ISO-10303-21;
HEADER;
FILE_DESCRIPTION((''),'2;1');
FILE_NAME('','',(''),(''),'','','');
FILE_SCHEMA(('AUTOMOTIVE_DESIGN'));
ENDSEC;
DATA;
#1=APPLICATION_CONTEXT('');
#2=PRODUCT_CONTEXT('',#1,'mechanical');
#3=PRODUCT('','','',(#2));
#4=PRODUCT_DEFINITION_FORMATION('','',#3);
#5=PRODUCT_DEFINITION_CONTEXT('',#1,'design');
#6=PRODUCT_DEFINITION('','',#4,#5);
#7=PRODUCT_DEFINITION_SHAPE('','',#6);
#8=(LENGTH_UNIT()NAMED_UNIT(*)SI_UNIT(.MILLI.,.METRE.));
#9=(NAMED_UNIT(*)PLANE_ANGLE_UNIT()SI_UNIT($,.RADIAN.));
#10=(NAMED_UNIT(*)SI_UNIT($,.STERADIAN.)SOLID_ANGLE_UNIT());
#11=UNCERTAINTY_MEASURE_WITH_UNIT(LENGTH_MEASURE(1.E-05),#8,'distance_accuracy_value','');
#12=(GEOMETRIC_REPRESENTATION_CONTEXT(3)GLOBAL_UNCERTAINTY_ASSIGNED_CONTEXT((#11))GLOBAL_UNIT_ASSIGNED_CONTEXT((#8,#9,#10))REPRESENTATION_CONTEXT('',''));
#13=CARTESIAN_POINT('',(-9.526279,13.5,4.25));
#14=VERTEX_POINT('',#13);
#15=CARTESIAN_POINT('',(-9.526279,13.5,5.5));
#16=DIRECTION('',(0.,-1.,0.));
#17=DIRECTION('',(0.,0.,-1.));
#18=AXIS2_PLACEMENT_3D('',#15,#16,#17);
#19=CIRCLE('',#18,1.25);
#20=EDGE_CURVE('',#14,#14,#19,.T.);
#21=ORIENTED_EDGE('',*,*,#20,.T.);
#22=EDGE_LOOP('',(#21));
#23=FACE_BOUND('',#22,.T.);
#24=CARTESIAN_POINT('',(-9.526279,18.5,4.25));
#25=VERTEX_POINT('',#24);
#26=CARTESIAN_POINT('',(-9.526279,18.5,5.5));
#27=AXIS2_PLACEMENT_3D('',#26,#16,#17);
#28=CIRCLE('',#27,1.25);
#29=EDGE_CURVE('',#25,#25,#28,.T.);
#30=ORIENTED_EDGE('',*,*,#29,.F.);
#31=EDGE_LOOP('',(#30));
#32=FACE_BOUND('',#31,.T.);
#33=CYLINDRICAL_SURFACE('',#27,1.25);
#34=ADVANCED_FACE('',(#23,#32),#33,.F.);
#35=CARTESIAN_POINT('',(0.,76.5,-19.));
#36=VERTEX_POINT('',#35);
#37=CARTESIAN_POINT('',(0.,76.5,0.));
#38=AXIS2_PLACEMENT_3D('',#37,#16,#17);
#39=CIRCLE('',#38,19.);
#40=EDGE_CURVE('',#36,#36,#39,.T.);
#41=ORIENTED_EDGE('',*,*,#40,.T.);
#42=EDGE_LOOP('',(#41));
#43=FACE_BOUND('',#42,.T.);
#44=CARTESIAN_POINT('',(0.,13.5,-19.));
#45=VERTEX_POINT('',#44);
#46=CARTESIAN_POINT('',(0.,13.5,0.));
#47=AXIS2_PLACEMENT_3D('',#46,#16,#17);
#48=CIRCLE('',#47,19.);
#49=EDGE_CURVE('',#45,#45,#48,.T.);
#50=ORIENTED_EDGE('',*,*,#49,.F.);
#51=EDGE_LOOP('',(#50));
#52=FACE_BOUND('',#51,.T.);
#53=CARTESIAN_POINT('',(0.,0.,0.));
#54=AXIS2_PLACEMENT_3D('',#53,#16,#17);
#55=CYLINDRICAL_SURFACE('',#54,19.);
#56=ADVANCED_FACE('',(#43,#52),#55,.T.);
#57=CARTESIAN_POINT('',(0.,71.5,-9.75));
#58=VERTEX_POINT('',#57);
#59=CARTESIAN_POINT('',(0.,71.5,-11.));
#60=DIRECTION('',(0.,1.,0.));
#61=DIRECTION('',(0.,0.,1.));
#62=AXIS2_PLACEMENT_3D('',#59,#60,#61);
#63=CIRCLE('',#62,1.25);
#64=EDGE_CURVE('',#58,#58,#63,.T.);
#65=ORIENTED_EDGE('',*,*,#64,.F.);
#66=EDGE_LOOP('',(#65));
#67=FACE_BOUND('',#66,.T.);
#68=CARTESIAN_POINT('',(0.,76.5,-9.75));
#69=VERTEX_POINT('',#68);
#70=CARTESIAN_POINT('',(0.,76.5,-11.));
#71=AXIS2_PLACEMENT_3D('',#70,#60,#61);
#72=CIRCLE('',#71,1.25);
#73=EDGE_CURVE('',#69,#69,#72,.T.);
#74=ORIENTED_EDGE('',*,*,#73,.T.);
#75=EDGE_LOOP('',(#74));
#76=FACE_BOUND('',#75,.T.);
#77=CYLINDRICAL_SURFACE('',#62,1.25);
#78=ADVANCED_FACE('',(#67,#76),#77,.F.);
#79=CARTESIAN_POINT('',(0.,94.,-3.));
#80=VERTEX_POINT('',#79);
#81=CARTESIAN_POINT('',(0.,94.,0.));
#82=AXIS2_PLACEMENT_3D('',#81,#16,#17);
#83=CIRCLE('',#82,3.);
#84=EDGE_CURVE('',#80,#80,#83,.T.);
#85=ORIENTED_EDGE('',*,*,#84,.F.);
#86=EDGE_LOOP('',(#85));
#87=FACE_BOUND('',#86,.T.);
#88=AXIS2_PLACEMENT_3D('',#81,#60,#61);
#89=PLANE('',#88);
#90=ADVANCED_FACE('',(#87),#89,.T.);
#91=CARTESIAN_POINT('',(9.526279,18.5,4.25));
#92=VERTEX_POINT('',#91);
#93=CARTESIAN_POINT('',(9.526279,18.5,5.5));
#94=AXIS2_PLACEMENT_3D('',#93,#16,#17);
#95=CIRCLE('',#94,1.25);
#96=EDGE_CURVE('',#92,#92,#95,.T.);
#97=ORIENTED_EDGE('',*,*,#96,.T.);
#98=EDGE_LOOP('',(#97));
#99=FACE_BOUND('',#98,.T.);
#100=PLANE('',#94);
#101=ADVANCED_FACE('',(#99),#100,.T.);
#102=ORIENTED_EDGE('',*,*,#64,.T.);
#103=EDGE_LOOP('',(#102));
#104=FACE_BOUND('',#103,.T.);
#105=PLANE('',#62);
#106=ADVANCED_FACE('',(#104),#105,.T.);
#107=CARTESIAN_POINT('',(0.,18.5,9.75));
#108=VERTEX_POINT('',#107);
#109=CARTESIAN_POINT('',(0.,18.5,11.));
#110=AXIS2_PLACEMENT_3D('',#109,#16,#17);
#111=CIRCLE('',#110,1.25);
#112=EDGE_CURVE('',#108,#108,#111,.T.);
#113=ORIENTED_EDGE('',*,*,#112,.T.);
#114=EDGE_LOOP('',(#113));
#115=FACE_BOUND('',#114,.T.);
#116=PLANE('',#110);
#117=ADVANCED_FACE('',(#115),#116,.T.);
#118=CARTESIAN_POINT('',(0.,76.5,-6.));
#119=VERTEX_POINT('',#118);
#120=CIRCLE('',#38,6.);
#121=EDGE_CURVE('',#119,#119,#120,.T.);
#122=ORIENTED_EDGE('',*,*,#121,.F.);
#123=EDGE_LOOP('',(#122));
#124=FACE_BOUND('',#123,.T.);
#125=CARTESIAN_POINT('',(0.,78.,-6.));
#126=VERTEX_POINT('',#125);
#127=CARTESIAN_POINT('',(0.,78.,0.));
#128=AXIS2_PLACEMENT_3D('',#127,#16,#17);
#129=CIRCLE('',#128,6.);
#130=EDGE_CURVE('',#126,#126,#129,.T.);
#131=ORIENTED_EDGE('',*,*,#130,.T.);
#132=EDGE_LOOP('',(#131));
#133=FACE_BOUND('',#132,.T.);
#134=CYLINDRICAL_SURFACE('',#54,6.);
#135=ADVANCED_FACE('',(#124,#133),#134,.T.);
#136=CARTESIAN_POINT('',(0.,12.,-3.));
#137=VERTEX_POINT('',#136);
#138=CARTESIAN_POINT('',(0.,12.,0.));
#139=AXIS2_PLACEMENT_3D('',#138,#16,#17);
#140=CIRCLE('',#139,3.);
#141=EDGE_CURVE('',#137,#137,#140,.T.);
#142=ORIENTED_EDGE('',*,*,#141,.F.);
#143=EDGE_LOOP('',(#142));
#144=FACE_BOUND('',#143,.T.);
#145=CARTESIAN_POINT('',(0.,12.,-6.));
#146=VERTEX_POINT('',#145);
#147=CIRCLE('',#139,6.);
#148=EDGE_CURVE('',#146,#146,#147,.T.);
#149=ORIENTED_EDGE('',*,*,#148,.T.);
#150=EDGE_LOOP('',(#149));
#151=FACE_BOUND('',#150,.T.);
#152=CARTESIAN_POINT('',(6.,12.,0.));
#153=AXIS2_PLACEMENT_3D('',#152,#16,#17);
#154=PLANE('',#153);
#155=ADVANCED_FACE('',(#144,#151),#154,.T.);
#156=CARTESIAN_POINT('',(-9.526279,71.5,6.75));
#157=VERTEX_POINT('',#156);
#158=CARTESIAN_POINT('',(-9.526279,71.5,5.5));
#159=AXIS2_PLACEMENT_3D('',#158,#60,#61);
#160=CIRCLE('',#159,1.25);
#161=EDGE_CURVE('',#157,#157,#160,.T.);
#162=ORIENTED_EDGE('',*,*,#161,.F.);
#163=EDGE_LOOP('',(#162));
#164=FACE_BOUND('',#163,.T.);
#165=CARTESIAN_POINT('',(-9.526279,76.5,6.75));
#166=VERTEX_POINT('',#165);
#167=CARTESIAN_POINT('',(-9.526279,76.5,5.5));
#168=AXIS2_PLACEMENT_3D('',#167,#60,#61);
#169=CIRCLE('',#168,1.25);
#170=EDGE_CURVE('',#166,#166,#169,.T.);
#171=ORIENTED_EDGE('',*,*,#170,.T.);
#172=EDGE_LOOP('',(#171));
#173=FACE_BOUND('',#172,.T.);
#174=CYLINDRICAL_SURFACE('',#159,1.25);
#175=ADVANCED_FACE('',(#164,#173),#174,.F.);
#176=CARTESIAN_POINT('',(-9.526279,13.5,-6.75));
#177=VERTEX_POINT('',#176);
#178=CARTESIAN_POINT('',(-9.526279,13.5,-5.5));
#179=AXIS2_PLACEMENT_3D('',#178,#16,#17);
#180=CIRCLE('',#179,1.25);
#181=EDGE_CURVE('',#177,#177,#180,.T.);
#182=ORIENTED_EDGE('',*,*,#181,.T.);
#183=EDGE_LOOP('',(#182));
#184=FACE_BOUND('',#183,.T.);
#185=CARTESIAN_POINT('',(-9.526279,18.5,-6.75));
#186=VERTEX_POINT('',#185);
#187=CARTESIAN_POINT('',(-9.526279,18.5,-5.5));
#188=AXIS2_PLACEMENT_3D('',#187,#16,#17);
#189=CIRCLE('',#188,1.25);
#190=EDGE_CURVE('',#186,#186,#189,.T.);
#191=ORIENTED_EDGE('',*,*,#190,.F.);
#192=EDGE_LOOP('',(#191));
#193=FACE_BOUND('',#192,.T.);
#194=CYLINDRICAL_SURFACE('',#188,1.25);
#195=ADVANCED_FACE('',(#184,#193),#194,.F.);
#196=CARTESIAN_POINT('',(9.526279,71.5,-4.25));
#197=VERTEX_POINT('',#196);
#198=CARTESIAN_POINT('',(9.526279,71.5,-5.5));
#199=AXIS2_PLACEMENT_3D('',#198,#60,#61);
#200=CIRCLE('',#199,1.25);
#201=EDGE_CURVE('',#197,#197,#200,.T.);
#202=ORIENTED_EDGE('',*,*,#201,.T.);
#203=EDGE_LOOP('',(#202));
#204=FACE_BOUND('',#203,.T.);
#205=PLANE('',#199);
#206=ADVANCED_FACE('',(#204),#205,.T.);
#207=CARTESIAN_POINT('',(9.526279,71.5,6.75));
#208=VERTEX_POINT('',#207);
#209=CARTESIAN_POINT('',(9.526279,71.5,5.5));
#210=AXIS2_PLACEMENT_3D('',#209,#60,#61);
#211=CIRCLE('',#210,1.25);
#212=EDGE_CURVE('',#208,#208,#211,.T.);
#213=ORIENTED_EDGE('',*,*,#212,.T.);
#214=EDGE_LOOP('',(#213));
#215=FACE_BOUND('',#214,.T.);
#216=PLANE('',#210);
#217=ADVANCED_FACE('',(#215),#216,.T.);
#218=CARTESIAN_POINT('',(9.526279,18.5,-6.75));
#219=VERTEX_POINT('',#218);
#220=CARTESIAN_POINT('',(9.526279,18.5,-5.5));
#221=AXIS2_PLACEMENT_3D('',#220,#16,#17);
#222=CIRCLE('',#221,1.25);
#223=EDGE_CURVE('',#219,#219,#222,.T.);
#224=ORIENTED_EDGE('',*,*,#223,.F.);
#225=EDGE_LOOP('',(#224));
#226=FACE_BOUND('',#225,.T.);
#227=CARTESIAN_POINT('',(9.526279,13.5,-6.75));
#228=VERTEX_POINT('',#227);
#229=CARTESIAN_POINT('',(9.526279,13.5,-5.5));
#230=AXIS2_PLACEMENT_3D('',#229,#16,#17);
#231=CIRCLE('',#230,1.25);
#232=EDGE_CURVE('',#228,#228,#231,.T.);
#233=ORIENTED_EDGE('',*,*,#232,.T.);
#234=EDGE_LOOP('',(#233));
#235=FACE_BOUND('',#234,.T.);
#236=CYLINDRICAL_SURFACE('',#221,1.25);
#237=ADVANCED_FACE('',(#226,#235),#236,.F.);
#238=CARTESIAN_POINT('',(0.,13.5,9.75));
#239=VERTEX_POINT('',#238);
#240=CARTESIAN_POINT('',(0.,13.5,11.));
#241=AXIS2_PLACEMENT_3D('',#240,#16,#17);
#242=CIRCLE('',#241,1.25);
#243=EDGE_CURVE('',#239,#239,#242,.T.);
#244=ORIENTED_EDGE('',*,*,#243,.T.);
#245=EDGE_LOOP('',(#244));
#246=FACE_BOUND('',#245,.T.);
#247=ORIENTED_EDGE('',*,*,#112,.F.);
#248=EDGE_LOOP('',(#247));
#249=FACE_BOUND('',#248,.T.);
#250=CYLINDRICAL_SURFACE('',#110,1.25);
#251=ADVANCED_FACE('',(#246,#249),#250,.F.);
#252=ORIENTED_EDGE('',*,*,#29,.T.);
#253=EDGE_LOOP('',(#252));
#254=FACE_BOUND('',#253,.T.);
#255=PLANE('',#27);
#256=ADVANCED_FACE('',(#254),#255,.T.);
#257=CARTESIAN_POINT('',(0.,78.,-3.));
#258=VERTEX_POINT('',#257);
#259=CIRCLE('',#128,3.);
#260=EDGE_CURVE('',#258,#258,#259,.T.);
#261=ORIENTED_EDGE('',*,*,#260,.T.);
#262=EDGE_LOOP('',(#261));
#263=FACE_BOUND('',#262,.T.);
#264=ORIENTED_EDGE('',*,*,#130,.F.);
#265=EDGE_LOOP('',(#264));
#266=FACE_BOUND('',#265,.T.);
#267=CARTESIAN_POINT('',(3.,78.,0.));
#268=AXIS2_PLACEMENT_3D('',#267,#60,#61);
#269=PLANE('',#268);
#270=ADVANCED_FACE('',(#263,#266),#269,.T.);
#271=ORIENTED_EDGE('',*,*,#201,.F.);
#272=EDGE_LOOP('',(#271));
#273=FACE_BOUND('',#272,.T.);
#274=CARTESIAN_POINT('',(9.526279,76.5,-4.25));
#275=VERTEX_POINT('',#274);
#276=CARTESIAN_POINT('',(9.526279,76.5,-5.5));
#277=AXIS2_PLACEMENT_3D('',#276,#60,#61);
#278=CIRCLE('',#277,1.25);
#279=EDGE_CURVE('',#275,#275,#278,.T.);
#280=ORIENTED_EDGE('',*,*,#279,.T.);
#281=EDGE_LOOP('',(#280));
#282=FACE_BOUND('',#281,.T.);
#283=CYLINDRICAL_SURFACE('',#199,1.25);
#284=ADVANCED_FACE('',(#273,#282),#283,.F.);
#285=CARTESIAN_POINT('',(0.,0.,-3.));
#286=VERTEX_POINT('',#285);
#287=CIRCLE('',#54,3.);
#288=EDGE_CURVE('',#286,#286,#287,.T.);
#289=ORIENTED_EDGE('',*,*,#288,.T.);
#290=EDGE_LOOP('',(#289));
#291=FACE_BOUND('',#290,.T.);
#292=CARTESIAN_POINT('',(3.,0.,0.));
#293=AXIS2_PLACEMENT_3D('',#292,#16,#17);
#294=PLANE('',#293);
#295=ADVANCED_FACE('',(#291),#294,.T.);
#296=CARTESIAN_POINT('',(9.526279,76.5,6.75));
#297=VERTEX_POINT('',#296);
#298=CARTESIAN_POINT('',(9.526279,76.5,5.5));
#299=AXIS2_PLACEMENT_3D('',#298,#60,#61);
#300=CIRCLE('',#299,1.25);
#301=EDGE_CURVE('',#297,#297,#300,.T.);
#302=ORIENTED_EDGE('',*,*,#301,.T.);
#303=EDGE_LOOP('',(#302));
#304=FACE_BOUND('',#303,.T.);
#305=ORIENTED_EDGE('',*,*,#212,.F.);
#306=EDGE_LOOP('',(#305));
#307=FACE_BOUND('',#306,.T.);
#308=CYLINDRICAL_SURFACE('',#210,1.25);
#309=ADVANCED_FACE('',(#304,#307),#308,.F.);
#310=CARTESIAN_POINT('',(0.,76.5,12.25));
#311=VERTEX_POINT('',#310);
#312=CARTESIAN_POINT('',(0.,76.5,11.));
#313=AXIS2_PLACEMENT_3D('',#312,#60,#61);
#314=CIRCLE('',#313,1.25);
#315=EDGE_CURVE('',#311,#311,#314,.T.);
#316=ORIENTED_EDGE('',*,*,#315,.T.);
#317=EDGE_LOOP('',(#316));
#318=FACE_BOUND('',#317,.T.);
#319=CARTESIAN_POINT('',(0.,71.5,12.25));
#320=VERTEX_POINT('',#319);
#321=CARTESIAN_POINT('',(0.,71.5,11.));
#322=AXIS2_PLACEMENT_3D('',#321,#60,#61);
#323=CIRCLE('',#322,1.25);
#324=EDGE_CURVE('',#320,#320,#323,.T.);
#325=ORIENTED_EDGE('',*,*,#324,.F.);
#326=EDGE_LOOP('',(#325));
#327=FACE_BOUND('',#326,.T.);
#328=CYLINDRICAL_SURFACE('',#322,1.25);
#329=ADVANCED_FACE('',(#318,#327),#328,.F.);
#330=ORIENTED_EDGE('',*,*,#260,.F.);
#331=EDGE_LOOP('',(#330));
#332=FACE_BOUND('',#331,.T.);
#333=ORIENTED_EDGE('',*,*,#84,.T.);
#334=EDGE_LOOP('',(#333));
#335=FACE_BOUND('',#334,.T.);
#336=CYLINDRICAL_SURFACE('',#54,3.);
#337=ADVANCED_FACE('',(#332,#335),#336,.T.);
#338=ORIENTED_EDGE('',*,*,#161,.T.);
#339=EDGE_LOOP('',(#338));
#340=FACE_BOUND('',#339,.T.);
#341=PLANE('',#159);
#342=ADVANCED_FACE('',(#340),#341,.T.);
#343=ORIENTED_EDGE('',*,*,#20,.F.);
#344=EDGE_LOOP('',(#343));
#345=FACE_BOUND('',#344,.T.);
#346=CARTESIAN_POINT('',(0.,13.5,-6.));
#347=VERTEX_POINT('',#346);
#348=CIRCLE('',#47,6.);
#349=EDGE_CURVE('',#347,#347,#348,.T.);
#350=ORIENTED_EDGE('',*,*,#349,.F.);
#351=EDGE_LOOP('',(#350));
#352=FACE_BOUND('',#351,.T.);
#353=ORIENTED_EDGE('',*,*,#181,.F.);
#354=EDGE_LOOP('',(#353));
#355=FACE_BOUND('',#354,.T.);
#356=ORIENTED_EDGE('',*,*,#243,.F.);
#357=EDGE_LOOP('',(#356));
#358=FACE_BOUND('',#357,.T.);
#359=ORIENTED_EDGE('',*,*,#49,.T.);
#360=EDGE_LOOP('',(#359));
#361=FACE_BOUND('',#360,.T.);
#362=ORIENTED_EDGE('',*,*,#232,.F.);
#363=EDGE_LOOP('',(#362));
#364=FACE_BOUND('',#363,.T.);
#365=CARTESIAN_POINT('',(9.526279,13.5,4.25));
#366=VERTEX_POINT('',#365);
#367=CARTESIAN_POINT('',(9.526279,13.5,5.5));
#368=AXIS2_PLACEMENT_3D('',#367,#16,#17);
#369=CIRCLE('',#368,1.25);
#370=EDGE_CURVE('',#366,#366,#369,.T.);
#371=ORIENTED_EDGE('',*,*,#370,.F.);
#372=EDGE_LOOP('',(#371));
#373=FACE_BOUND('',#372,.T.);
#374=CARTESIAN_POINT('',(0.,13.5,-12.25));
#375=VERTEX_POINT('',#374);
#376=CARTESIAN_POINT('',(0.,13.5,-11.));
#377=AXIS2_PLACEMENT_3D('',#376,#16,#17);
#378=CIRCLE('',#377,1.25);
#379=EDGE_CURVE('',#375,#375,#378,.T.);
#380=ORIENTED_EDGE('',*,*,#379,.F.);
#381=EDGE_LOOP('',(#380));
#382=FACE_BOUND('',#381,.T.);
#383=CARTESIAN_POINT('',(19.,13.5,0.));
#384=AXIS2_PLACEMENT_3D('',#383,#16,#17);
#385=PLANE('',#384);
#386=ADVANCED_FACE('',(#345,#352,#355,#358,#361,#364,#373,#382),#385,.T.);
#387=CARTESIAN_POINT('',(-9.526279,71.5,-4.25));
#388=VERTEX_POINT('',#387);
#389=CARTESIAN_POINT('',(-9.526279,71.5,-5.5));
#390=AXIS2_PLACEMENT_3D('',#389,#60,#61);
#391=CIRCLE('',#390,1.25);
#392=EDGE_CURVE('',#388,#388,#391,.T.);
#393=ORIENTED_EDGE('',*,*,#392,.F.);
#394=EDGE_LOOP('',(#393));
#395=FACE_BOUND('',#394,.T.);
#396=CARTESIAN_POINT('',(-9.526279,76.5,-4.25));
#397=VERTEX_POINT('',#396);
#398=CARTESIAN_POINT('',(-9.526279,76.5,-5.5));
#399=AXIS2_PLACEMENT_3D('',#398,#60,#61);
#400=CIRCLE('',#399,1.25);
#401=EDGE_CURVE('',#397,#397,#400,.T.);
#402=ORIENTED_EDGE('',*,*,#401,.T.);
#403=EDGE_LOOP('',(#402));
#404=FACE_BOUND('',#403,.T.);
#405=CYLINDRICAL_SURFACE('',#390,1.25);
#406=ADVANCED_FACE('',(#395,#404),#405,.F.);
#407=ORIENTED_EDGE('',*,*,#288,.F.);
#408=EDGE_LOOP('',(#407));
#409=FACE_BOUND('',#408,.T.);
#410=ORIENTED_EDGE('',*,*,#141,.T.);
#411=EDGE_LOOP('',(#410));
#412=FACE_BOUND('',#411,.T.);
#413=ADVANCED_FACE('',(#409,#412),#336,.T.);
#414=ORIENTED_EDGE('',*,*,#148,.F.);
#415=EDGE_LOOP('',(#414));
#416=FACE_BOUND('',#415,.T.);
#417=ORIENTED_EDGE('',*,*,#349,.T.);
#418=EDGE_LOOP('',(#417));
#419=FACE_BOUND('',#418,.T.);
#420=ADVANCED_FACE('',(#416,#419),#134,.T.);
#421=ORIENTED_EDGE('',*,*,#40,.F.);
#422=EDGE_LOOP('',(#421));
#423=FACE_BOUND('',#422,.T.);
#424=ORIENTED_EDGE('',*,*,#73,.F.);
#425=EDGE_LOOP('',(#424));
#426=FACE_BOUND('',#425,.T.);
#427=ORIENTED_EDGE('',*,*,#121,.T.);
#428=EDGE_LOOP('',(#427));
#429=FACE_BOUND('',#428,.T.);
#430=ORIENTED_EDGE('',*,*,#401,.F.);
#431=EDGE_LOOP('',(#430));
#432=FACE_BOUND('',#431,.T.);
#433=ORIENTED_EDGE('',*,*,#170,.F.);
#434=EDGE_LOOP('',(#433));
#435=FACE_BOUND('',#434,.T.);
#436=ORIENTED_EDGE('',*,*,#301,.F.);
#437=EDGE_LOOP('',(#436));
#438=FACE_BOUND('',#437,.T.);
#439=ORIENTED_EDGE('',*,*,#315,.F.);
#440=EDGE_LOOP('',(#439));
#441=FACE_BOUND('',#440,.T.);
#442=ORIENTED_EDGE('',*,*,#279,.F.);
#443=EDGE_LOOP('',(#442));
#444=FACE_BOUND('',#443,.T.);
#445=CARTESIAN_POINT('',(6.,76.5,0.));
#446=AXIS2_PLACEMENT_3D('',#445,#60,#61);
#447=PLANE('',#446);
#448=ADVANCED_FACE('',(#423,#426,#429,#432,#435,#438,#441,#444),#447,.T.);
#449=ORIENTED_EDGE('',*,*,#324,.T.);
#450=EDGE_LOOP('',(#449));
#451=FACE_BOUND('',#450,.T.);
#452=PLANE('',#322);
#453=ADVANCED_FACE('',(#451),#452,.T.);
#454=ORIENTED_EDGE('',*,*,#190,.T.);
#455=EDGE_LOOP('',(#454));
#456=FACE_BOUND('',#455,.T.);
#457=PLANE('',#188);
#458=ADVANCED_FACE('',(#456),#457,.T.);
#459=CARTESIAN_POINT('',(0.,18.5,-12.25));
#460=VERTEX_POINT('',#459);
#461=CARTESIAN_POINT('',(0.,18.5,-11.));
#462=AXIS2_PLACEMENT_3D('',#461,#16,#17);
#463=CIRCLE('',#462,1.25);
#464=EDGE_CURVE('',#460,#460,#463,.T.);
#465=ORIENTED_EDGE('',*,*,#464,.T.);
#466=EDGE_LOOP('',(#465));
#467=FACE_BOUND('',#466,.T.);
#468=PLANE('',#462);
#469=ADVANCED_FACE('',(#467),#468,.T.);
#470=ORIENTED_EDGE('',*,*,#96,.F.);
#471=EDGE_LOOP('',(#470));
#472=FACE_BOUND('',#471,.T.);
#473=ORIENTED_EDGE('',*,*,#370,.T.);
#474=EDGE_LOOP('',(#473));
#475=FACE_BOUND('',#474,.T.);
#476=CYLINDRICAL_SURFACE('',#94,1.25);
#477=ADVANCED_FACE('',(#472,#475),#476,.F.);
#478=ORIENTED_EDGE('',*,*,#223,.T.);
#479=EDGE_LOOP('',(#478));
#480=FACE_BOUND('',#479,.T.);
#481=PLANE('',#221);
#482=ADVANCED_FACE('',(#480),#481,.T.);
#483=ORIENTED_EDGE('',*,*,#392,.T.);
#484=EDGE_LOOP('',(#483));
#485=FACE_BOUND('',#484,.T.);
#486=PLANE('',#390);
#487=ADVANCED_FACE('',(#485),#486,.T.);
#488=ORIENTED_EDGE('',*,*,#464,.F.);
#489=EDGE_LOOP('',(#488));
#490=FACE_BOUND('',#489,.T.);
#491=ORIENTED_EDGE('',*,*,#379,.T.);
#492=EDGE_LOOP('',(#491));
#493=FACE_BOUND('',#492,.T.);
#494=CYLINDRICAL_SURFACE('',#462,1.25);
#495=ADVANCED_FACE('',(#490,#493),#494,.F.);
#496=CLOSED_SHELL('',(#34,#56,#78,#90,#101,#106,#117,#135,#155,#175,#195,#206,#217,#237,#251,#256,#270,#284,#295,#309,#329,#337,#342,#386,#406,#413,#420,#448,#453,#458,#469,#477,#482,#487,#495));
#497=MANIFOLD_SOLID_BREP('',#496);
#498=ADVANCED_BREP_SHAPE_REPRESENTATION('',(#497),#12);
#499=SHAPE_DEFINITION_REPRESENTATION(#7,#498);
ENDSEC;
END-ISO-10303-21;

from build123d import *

# Parameters (mm, degrees)
ESQUISSE2_R             = 1.25
ENL_V_MAT_EXTRU_1_DEPTH = 5
ENL_V_START             = -58
ESQUISSE2_2_R           = 1.25
ENL_V_MAT_EXTRU_2_DEPTH = 5


with BuildPart() as part:
    # Esquisse1 → Révolution1 (revolve)
    with BuildSketch(Plane.XY, mode=Mode.PRIVATE) as r_volution1_sk:
        Polygon((0, 0), (0, 94), (3, 94), (3, 78), (6, 78), (6, 76.5), (19, 76.5), (19, 13.5), (6, 13.5), (6, 12), (3, 12), (3, 0), align=None)
    revolve(r_volution1_sk.sketch.rotate(Axis((0, 0, 0), (0, 1, 0)), 90), axis=Axis((0, 0, 0), (0, 1, 0)))

    # Esquisse2 → Enlèv. mat.-Extru.1 (cut)
    with BuildSketch(Plane(origin=(0, 76.5, 0), x_dir=(1, 0, 0), z_dir=(0, 1, 0))):
        with Locations(Location((0, 11, 0), (0, 0, 270))):
            Circle(ESQUISSE2_R)
        with Locations(Location((9.526279442, 5.5, 0), (0, 0, 270))):
            Circle(ESQUISSE2_R)
        with Locations(Location((9.526279442, -5.5, 0), (0, 0, 270))):
            Circle(ESQUISSE2_R)
        with Locations(Location((0, -11, 0), (0, 0, 270))):
            Circle(ESQUISSE2_R)
        with Locations(Location((-9.526279442, -5.5, 0), (0, 0, 270))):
            Circle(ESQUISSE2_R)
        with Locations(Location((-9.526279442, 5.5, 0), (0, 0, 270))):
            Circle(ESQUISSE2_R)
    extrude(amount=-ENL_V_MAT_EXTRU_1_DEPTH, mode=Mode.SUBTRACT)

    # Esquisse2<2> → Enlèv. mat.-Extru.2 (cut)
    with BuildSketch(Plane(origin=(0, 76.5, 0), x_dir=(1, 0, 0), z_dir=(0, 1, 0)).offset(ENL_V_START)):
        with Locations(Location((0, 11, 0), (0, 0, 270))):
            Circle(ESQUISSE2_2_R)
        with Locations(Location((9.526279442, 5.5, 0), (0, 0, 270))):
            Circle(ESQUISSE2_2_R)
        with Locations(Location((9.526279442, -5.5, 0), (0, 0, 270))):
            Circle(ESQUISSE2_2_R)
        with Locations(Location((0, -11, 0), (0, 0, 270))):
            Circle(ESQUISSE2_2_R)
        with Locations(Location((-9.526279442, -5.5, 0), (0, 0, 270))):
            Circle(ESQUISSE2_2_R)
        with Locations(Location((-9.526279442, 5.5, 0), (0, 0, 270))):
            Circle(ESQUISSE2_2_R)
    extrude(amount=-ENL_V_MAT_EXTRU_2_DEPTH, mode=Mode.SUBTRACT)


solid = part.part
